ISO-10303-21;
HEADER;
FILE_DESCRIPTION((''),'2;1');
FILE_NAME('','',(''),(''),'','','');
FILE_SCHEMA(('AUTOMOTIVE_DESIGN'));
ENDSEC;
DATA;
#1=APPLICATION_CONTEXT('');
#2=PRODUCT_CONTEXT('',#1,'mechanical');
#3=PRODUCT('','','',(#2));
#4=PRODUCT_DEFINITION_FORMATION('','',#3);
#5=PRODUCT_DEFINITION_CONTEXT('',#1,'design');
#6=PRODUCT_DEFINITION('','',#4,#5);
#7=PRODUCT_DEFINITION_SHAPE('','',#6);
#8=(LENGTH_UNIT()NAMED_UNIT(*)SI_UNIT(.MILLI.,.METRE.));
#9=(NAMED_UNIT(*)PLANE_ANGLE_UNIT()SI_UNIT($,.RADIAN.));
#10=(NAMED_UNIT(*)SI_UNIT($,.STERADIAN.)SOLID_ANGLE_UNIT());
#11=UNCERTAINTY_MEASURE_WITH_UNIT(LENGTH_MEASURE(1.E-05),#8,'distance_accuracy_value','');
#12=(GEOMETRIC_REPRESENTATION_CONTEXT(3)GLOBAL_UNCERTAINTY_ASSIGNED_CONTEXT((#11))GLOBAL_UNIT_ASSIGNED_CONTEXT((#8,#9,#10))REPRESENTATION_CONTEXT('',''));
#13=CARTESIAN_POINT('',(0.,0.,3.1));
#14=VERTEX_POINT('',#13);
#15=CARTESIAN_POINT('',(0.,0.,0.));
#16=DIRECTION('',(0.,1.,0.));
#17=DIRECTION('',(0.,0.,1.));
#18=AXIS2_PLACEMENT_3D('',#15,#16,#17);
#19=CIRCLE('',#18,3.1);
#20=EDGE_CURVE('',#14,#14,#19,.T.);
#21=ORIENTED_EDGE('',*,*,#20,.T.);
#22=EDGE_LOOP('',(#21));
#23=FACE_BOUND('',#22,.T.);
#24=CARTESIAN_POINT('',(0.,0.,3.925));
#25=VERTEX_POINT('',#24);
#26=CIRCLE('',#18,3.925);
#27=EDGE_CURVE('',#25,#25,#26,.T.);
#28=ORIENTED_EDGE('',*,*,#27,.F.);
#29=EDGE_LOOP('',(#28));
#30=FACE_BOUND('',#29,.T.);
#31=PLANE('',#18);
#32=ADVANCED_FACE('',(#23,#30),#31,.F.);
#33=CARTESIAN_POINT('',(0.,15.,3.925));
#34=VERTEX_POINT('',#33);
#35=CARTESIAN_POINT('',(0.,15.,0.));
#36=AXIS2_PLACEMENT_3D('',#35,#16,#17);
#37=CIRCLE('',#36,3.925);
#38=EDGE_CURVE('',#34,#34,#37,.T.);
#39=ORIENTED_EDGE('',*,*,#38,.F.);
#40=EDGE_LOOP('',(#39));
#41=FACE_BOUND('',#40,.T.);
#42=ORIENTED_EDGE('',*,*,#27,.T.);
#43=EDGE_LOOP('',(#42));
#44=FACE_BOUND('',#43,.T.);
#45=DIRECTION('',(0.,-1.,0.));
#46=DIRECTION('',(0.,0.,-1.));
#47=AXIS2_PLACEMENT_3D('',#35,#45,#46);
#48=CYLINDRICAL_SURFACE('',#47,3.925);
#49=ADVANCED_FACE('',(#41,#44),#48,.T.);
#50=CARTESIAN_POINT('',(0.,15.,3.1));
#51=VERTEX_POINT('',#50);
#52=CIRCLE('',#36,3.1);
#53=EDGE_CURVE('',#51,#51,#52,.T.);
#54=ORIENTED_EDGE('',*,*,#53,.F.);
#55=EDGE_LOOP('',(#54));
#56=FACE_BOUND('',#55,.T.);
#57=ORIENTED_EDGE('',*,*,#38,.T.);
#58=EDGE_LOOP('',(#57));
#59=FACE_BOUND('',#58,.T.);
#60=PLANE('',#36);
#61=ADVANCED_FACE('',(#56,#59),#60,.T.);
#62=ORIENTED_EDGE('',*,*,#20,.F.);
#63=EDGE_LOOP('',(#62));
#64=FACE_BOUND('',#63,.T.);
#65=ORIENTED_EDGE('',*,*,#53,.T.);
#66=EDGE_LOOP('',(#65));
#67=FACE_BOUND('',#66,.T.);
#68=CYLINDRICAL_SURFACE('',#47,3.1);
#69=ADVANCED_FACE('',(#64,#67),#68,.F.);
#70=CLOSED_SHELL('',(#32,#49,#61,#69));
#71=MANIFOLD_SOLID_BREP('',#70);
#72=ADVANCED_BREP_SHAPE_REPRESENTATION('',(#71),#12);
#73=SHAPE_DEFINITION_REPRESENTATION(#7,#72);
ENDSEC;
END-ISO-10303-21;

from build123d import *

# Parameters (mm, degrees)
SKETCH_1_R      = 3.925
SKETCH_1_R_2    = 3.1
EXTRUDE_1_DEPTH = 15


with BuildPart() as part:
    # ｽｹｯﾁ1 → ﾎﾞｽ - 押し出し1 (new body)
    with BuildSketch(Plane(origin=(0, 0, 0), x_dir=(1, 0, 0), z_dir=(0, 1, 0))):
        Circle(SKETCH_1_R)
        Circle(SKETCH_1_R_2, mode=Mode.SUBTRACT)
    extrude(amount=EXTRUDE_1_DEPTH)


solid = part.part
